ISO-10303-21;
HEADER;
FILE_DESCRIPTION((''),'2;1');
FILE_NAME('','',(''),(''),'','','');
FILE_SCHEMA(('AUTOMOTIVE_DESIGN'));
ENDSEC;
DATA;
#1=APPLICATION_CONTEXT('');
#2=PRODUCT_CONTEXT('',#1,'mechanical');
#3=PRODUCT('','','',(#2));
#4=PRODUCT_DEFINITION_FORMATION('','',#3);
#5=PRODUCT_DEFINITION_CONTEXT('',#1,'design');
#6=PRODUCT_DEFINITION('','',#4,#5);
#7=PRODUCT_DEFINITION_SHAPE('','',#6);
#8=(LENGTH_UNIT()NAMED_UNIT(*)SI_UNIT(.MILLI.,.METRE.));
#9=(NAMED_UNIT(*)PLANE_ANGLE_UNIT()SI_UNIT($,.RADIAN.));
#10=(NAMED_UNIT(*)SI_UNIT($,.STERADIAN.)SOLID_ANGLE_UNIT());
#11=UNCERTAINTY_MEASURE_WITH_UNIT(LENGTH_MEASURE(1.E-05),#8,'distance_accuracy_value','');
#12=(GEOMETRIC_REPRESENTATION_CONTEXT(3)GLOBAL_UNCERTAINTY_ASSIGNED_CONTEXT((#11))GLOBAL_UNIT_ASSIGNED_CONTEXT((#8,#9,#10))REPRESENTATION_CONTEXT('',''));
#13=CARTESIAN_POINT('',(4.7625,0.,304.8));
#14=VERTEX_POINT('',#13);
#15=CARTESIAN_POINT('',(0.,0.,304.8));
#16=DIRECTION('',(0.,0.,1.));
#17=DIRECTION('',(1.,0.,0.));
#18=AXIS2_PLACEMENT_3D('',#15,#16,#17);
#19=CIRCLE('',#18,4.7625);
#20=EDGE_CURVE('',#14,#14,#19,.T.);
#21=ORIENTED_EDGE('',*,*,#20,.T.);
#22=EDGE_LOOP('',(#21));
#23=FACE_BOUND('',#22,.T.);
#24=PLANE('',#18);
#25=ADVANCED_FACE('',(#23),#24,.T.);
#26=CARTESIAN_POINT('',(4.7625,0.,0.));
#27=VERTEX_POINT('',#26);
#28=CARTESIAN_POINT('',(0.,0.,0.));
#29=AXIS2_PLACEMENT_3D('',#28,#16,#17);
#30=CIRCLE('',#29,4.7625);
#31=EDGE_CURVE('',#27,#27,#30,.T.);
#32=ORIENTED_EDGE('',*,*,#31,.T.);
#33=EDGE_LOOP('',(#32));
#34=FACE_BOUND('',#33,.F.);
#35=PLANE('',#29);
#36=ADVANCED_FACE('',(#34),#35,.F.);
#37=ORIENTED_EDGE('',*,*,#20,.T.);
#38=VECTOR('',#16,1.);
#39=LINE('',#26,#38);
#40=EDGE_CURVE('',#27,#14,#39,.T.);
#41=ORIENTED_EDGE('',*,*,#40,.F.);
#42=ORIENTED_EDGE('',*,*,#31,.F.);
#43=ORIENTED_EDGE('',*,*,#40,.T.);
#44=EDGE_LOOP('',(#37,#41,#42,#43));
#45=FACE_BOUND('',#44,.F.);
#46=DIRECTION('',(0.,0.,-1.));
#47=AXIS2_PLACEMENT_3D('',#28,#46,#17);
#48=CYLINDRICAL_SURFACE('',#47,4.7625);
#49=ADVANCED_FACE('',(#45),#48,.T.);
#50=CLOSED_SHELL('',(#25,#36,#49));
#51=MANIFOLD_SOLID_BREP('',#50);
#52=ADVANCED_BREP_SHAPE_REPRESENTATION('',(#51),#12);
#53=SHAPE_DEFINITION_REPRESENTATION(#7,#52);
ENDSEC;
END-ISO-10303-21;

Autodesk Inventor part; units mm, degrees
ref_plane "YZ Plane" through (0, 0, 0) normal (1, 0, 0) x (0, 1, 0)
ref_plane "XZ Plane" through (0, 0, 0) normal (0, 1, 0) x (-1, 0, 0)
ref_plane "XY Plane" through (0, 0, 0) normal (0, 0, 1) x (1, 0, 0)
sketch "Sketch1" plane through (0, 0, 0) normal (0, 0, 1) x (1, 0, 0)
  circle A0 centre (0, 0) radius 4.7625
  dimension "d0" = 9.525
extrude "Extrusion1" add sketch "Sketch1" along normal blind 304.8
thread "Thread1" size "3/8-16 UNC" class "2A" standard "ANSI Unified Screw Threads" full length
properties part number "3 8 Threaded Shaft Pivpt" material "Stainless Steel"
